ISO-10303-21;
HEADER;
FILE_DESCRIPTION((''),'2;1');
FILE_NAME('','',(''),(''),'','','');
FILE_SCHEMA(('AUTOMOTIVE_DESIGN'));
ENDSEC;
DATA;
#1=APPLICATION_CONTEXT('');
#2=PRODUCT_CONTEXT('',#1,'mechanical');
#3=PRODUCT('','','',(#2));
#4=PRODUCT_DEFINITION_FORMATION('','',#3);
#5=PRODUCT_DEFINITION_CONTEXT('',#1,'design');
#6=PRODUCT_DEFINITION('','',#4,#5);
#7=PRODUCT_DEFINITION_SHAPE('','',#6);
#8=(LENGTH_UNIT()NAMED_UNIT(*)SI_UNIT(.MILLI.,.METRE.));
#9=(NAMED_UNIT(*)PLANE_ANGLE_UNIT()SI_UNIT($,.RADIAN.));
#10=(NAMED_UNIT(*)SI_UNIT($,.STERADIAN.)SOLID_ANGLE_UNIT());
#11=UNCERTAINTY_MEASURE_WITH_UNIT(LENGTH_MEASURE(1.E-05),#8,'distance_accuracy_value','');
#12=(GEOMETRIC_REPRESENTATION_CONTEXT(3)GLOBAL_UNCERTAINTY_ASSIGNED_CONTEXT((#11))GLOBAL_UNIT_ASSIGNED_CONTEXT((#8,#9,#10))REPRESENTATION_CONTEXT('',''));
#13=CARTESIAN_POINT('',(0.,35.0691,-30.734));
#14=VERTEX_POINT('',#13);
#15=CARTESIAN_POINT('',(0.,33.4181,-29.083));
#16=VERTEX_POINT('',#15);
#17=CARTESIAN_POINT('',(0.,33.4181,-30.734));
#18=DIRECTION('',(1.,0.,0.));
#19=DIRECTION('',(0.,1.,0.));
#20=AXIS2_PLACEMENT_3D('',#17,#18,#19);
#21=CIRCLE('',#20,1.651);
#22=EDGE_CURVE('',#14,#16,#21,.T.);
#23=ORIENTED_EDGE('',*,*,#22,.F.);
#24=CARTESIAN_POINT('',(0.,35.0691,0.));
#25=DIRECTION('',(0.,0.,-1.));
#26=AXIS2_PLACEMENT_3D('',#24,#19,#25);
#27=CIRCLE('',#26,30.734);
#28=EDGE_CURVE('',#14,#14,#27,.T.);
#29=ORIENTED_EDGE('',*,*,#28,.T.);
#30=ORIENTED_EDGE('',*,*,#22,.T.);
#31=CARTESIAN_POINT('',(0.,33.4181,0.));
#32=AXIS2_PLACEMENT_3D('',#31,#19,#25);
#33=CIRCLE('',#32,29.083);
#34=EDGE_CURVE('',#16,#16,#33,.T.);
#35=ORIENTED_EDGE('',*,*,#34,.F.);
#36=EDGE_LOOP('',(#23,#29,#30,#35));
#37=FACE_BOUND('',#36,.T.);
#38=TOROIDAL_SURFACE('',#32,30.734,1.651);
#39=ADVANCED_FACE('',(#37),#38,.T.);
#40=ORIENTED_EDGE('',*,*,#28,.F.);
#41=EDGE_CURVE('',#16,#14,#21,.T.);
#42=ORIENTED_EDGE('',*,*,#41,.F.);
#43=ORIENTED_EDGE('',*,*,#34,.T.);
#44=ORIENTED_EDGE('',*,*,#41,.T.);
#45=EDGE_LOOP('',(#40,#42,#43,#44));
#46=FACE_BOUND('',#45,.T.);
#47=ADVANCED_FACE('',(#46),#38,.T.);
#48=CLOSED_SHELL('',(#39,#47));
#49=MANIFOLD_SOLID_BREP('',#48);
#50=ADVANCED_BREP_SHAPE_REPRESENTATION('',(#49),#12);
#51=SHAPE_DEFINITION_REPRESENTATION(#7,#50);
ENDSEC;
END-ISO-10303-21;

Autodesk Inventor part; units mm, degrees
ref_plane "YZ Plane" through (0, 0, 0) normal (1, 0, 0) x (0, 1, 0)
ref_plane "XZ Plane" through (0, 0, 0) normal (0, 1, 0) x (-1, 0, 0)
ref_plane "XY Plane" through (0, 0, 0) normal (0, 0, 1) x (1, 0, 0)
sketch "Sketch1" plane through (0, 0, 0) normal (1, 0, 0) x (0, 1, 0)
  line L0 (0, 0) -> (61.468, 0)
  line L1 (33.4181, 0) -> (33.4181, -30.734)
  circle A0 centre (33.4181, -30.734) radius 1.651
  dimension "d0" = 61.468
  dimension "d1" = 30.734
  dimension "d2" = 3.302
revolve "Revolution1" add sketch "Sketch1" angle 360 about axis through (0, 0, 0) along (0, 1, 0)
properties part number "O-Ring"
